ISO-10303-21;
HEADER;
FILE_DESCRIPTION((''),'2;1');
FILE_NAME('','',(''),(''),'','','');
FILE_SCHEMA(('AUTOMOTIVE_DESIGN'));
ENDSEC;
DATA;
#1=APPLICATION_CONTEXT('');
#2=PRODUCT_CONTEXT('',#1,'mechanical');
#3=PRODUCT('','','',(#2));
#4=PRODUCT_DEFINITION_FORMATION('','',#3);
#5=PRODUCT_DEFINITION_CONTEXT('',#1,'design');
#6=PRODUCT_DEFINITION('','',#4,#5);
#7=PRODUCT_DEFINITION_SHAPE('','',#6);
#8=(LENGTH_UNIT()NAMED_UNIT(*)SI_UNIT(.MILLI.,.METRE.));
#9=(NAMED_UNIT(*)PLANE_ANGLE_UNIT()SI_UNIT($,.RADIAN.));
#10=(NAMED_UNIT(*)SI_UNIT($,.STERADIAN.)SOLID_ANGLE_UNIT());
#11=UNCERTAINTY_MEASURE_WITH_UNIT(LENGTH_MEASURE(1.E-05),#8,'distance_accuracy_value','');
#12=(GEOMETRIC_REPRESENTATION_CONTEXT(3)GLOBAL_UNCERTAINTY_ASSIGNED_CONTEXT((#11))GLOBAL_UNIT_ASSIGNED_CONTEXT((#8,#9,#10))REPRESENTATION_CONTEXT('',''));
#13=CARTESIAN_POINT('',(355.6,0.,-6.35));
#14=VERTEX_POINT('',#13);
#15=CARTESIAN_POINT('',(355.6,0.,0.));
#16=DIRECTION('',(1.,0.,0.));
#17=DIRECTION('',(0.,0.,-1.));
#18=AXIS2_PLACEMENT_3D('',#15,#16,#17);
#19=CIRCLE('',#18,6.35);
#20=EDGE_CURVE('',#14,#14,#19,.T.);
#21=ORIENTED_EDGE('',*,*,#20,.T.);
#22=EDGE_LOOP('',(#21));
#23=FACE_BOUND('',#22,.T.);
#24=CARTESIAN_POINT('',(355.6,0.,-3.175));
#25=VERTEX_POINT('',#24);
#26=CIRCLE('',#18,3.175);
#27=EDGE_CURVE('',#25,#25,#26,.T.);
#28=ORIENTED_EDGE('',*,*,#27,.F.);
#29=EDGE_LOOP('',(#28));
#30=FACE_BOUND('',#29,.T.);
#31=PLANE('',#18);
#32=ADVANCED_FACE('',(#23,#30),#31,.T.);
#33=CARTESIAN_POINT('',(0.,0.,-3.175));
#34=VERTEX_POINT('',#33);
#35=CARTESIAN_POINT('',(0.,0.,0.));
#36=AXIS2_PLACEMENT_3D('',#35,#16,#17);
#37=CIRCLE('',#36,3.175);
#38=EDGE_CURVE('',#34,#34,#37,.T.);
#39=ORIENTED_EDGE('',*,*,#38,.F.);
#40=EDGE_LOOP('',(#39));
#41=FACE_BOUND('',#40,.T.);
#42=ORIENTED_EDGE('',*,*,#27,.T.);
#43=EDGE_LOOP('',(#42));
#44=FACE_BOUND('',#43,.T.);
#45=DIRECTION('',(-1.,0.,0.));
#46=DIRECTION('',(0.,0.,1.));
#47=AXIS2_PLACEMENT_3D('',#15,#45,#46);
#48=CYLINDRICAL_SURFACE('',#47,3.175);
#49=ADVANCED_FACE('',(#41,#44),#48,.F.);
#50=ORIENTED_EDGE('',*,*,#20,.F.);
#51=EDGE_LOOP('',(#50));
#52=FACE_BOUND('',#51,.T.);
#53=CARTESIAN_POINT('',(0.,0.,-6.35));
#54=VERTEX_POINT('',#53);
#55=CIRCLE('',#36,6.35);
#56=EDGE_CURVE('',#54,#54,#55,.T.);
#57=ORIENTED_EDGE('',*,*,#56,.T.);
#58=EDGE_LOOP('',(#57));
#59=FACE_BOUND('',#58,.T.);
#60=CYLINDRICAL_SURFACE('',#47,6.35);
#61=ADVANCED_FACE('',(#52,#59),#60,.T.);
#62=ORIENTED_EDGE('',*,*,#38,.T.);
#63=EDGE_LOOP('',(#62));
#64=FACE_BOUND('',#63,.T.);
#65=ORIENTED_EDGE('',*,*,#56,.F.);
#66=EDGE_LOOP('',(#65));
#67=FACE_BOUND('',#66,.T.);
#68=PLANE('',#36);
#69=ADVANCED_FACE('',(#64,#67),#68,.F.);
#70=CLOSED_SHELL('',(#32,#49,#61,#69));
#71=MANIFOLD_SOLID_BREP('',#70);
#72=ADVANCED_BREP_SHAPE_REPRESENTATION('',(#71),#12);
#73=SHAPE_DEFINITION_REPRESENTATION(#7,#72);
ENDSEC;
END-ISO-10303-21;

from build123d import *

# Parameters (mm, degrees)
SKETCH1_R           = 6.35
SKETCH1_R_2         = 3.175
BOSS_EXTRUDE1_DEPTH = 355.6


with BuildPart() as part:
    # Sketch1 → Boss-Extrude1 (new body)
    with BuildSketch(Plane(origin=(0, 0, 0), x_dir=(0, 0, -1), z_dir=(1, 0, 0))):
        Circle(SKETCH1_R)
        Circle(SKETCH1_R_2, mode=Mode.SUBTRACT)
    extrude(amount=BOSS_EXTRUDE1_DEPTH)


solid = part.part
